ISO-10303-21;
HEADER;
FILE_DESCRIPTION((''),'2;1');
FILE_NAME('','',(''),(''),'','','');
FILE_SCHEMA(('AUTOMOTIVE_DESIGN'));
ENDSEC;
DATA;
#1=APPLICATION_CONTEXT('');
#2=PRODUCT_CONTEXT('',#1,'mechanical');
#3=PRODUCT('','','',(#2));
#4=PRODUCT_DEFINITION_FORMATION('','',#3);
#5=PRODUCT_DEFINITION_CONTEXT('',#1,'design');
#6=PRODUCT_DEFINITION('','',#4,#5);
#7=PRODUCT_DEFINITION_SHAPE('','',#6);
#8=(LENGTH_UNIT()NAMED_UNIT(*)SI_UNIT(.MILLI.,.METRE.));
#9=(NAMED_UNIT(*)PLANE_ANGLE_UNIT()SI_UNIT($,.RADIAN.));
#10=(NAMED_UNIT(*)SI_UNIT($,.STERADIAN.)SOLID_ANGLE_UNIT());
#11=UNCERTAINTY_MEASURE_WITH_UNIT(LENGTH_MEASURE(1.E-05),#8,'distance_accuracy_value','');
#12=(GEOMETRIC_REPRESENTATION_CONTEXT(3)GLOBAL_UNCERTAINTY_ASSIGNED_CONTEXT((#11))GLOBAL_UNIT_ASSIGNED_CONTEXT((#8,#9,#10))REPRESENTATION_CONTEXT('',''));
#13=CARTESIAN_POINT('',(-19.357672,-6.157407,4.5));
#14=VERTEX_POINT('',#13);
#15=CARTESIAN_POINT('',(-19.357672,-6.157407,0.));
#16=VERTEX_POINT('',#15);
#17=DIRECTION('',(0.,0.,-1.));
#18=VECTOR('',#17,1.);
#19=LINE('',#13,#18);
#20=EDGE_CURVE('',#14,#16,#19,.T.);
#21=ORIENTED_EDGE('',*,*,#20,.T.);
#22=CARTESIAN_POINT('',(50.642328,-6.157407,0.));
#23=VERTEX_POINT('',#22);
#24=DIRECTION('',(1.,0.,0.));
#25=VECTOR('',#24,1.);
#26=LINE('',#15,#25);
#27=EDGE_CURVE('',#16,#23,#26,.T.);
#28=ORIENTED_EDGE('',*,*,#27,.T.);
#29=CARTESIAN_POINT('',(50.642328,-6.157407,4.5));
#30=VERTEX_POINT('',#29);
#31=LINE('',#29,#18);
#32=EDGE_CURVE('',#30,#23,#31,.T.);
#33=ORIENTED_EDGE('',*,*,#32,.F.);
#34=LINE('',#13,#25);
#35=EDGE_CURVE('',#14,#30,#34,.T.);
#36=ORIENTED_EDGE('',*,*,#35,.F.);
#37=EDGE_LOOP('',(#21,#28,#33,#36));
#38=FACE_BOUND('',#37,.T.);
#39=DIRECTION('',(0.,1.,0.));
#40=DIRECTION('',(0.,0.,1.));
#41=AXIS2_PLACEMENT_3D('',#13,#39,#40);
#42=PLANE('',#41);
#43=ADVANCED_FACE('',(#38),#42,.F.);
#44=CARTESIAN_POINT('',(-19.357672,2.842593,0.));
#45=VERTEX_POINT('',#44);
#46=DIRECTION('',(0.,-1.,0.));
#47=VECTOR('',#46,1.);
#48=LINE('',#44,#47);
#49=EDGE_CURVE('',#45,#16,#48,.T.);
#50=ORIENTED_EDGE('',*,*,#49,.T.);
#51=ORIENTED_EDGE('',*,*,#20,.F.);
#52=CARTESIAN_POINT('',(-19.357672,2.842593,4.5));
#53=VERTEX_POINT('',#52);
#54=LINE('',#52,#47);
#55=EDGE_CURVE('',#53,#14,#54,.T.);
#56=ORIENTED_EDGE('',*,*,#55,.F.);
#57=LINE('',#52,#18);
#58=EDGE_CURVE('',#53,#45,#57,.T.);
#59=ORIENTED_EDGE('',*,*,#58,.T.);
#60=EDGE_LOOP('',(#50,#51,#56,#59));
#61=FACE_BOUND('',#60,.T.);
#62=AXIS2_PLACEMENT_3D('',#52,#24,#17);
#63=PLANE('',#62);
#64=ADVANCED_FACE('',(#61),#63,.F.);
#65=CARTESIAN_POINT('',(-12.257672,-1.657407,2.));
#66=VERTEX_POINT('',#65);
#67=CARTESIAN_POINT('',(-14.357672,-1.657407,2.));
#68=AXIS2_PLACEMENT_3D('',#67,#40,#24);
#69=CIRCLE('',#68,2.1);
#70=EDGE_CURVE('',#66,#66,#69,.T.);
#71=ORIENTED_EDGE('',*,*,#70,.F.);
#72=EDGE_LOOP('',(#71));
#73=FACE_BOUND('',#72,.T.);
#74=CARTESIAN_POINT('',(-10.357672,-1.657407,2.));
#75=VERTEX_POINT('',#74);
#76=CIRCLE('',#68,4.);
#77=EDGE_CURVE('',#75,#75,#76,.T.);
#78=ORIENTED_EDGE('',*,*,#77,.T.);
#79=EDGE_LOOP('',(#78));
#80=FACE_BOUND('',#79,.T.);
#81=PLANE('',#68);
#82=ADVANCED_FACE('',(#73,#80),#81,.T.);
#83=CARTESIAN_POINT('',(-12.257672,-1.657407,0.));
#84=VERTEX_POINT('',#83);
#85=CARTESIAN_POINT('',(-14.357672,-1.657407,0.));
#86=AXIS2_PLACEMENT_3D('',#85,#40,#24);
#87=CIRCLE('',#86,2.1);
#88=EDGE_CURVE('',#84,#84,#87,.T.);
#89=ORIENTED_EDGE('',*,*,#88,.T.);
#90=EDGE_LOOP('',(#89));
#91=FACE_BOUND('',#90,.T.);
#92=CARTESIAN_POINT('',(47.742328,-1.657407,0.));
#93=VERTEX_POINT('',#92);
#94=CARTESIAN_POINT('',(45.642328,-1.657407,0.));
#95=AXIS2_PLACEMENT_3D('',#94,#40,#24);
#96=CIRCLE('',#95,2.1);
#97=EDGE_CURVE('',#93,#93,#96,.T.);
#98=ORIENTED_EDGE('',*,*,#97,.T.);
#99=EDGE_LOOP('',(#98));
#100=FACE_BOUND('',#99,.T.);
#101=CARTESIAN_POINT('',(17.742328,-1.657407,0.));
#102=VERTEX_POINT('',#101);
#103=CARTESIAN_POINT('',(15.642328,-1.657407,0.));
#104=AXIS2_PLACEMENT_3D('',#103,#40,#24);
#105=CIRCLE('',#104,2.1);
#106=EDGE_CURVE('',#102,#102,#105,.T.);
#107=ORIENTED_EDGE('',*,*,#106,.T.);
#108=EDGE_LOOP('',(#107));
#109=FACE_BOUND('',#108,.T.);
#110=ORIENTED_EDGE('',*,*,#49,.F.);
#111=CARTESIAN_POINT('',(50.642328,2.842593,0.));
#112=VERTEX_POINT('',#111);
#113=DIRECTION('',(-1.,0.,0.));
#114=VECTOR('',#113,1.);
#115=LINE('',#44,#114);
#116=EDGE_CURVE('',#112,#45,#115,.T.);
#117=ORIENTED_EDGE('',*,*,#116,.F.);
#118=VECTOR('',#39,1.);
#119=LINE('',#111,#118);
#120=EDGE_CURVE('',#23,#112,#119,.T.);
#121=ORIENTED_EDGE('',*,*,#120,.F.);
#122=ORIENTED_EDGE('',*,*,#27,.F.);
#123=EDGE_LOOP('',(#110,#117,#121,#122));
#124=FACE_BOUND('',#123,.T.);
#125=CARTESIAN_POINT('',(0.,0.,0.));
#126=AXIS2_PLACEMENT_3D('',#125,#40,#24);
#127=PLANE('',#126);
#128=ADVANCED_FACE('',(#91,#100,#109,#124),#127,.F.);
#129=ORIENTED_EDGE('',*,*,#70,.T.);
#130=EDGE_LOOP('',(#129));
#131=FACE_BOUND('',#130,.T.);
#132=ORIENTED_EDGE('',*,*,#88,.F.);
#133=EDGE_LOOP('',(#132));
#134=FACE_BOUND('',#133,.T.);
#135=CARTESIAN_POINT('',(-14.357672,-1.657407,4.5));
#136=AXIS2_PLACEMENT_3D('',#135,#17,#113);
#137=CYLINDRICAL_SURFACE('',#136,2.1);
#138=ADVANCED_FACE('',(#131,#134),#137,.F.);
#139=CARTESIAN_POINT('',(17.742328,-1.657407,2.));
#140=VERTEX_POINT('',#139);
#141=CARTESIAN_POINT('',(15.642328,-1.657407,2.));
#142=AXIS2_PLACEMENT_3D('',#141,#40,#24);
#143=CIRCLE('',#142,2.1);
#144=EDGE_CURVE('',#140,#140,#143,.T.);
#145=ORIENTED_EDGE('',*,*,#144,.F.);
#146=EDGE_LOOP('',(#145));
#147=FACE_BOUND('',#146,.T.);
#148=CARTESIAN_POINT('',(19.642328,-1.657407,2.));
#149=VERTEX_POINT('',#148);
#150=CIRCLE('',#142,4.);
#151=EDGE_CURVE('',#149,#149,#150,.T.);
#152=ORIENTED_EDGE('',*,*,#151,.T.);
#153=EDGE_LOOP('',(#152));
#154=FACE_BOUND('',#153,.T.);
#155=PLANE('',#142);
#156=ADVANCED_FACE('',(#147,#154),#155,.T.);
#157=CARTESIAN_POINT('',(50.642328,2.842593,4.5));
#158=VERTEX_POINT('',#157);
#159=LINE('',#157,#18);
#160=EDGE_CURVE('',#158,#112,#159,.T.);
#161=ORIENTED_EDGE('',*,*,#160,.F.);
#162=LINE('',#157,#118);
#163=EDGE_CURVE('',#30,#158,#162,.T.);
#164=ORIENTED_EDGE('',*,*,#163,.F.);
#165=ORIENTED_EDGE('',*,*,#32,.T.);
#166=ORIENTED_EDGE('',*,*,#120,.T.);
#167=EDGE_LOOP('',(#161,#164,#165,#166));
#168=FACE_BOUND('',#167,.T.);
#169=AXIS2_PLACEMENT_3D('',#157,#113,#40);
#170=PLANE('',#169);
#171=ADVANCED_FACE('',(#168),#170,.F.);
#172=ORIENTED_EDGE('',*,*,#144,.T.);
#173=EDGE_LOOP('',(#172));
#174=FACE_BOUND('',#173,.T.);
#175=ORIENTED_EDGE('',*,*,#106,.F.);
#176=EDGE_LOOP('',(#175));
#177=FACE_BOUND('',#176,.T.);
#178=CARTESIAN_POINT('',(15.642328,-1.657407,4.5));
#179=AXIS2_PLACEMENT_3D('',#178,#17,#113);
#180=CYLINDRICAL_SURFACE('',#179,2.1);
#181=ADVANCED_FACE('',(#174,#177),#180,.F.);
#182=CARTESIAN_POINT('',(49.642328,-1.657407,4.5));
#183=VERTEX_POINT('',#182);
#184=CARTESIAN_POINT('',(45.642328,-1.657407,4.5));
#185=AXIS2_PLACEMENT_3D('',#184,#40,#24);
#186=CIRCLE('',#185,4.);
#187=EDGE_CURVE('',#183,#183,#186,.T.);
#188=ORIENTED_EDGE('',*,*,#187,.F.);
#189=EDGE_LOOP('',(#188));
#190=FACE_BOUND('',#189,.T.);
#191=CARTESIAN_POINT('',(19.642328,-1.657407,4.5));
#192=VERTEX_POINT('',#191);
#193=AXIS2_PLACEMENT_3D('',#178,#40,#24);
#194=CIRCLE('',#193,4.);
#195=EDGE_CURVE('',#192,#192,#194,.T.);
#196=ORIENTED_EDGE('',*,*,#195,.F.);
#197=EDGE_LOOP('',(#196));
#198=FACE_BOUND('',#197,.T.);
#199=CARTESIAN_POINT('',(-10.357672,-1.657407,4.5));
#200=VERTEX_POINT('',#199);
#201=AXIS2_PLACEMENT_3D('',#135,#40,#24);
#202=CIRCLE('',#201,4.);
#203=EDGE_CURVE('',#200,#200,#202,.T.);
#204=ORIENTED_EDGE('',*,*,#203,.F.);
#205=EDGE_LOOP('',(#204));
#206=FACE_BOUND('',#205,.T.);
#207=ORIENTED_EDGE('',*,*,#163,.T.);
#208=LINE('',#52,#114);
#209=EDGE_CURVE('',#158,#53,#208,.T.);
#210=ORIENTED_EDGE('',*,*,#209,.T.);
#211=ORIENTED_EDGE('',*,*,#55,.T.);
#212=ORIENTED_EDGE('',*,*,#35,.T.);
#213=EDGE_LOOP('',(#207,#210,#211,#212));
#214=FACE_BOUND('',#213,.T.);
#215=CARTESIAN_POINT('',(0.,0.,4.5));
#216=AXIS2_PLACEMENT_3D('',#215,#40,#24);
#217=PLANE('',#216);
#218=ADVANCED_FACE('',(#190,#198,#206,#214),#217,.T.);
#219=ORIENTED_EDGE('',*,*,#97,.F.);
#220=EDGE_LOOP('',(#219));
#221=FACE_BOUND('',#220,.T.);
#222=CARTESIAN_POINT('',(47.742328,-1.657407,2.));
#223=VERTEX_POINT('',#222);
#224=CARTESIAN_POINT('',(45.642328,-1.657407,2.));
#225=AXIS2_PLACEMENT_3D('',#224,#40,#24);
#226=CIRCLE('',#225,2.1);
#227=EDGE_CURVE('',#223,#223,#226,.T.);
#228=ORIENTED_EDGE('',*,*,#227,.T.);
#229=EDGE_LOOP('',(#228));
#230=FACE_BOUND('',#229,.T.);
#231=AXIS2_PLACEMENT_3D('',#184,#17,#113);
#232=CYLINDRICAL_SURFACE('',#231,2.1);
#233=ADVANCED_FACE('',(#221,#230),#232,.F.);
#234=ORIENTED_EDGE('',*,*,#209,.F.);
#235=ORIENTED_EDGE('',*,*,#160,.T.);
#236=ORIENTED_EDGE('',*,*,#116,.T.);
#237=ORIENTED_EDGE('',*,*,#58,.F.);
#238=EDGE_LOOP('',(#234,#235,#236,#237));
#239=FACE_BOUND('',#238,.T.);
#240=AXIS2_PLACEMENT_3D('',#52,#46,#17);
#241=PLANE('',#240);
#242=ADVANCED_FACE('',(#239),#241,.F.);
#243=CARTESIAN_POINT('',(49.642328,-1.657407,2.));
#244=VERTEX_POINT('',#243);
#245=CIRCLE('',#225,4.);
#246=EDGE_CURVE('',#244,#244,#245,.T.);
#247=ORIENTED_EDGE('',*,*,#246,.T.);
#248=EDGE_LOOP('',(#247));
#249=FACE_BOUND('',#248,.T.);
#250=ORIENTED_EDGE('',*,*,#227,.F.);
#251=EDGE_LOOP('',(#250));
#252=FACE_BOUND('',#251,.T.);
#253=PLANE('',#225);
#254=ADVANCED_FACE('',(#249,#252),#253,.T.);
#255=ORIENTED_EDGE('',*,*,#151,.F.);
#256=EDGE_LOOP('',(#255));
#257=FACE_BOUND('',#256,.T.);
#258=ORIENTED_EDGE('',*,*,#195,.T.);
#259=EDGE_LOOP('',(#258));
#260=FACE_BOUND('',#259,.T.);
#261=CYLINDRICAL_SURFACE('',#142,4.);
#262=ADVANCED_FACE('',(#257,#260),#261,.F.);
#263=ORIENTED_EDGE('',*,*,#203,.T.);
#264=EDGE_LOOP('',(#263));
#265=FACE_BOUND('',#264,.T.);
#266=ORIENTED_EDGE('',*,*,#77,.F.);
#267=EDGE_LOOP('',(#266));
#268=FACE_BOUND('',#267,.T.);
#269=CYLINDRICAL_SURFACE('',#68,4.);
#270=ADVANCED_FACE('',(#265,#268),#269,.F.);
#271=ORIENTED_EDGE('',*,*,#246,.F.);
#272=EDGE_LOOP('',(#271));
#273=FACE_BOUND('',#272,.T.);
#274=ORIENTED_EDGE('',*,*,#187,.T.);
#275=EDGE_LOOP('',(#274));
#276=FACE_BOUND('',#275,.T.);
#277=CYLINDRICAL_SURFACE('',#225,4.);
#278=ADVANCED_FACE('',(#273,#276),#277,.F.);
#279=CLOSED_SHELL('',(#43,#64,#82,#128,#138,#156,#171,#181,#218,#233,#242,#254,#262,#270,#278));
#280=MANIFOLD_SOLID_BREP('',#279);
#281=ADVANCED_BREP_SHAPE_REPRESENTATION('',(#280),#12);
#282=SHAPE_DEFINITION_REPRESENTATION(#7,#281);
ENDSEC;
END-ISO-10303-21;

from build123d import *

# Parameters (mm, degrees)
SKETCH_1_W          = 70
SKETCH_1_H          = 9
SKETCH_1_R          = 2.1
EXTRUDE_1_DEPTH     = 4.5
SKETCH_3_R          = 4
CUT_EXTRUDE_1_DEPTH = 2.5


with BuildPart() as part:
    # 草圖1 → 填料-伸長1 (new body)
    with BuildSketch(Plane.XY):
        with Locations((15.64232849, -1.657407407)):
            Rectangle(SKETCH_1_W, SKETCH_1_H)
        with Locations((-14.35767151, -1.657407407)):
            Circle(SKETCH_1_R, mode=Mode.SUBTRACT)
        with Locations((15.64232849, -1.657407407)):
            Circle(SKETCH_1_R, mode=Mode.SUBTRACT)
        with Locations((45.64232849, -1.657407407)):
            Circle(SKETCH_1_R, mode=Mode.SUBTRACT)
    extrude(amount=EXTRUDE_1_DEPTH)

    # 草圖3 → 除料-伸長1 (cut)
    with BuildSketch(Plane.XY.offset(4.5)):
        with Locations((-14.35767151, -1.657407407)):
            Circle(SKETCH_3_R)
        with Locations((15.64232849, -1.657407407)):
            Circle(SKETCH_3_R)
        with Locations((45.64232849, -1.657407407)):
            Circle(SKETCH_3_R)
    extrude(amount=-CUT_EXTRUDE_1_DEPTH, mode=Mode.SUBTRACT)


solid = part.part
